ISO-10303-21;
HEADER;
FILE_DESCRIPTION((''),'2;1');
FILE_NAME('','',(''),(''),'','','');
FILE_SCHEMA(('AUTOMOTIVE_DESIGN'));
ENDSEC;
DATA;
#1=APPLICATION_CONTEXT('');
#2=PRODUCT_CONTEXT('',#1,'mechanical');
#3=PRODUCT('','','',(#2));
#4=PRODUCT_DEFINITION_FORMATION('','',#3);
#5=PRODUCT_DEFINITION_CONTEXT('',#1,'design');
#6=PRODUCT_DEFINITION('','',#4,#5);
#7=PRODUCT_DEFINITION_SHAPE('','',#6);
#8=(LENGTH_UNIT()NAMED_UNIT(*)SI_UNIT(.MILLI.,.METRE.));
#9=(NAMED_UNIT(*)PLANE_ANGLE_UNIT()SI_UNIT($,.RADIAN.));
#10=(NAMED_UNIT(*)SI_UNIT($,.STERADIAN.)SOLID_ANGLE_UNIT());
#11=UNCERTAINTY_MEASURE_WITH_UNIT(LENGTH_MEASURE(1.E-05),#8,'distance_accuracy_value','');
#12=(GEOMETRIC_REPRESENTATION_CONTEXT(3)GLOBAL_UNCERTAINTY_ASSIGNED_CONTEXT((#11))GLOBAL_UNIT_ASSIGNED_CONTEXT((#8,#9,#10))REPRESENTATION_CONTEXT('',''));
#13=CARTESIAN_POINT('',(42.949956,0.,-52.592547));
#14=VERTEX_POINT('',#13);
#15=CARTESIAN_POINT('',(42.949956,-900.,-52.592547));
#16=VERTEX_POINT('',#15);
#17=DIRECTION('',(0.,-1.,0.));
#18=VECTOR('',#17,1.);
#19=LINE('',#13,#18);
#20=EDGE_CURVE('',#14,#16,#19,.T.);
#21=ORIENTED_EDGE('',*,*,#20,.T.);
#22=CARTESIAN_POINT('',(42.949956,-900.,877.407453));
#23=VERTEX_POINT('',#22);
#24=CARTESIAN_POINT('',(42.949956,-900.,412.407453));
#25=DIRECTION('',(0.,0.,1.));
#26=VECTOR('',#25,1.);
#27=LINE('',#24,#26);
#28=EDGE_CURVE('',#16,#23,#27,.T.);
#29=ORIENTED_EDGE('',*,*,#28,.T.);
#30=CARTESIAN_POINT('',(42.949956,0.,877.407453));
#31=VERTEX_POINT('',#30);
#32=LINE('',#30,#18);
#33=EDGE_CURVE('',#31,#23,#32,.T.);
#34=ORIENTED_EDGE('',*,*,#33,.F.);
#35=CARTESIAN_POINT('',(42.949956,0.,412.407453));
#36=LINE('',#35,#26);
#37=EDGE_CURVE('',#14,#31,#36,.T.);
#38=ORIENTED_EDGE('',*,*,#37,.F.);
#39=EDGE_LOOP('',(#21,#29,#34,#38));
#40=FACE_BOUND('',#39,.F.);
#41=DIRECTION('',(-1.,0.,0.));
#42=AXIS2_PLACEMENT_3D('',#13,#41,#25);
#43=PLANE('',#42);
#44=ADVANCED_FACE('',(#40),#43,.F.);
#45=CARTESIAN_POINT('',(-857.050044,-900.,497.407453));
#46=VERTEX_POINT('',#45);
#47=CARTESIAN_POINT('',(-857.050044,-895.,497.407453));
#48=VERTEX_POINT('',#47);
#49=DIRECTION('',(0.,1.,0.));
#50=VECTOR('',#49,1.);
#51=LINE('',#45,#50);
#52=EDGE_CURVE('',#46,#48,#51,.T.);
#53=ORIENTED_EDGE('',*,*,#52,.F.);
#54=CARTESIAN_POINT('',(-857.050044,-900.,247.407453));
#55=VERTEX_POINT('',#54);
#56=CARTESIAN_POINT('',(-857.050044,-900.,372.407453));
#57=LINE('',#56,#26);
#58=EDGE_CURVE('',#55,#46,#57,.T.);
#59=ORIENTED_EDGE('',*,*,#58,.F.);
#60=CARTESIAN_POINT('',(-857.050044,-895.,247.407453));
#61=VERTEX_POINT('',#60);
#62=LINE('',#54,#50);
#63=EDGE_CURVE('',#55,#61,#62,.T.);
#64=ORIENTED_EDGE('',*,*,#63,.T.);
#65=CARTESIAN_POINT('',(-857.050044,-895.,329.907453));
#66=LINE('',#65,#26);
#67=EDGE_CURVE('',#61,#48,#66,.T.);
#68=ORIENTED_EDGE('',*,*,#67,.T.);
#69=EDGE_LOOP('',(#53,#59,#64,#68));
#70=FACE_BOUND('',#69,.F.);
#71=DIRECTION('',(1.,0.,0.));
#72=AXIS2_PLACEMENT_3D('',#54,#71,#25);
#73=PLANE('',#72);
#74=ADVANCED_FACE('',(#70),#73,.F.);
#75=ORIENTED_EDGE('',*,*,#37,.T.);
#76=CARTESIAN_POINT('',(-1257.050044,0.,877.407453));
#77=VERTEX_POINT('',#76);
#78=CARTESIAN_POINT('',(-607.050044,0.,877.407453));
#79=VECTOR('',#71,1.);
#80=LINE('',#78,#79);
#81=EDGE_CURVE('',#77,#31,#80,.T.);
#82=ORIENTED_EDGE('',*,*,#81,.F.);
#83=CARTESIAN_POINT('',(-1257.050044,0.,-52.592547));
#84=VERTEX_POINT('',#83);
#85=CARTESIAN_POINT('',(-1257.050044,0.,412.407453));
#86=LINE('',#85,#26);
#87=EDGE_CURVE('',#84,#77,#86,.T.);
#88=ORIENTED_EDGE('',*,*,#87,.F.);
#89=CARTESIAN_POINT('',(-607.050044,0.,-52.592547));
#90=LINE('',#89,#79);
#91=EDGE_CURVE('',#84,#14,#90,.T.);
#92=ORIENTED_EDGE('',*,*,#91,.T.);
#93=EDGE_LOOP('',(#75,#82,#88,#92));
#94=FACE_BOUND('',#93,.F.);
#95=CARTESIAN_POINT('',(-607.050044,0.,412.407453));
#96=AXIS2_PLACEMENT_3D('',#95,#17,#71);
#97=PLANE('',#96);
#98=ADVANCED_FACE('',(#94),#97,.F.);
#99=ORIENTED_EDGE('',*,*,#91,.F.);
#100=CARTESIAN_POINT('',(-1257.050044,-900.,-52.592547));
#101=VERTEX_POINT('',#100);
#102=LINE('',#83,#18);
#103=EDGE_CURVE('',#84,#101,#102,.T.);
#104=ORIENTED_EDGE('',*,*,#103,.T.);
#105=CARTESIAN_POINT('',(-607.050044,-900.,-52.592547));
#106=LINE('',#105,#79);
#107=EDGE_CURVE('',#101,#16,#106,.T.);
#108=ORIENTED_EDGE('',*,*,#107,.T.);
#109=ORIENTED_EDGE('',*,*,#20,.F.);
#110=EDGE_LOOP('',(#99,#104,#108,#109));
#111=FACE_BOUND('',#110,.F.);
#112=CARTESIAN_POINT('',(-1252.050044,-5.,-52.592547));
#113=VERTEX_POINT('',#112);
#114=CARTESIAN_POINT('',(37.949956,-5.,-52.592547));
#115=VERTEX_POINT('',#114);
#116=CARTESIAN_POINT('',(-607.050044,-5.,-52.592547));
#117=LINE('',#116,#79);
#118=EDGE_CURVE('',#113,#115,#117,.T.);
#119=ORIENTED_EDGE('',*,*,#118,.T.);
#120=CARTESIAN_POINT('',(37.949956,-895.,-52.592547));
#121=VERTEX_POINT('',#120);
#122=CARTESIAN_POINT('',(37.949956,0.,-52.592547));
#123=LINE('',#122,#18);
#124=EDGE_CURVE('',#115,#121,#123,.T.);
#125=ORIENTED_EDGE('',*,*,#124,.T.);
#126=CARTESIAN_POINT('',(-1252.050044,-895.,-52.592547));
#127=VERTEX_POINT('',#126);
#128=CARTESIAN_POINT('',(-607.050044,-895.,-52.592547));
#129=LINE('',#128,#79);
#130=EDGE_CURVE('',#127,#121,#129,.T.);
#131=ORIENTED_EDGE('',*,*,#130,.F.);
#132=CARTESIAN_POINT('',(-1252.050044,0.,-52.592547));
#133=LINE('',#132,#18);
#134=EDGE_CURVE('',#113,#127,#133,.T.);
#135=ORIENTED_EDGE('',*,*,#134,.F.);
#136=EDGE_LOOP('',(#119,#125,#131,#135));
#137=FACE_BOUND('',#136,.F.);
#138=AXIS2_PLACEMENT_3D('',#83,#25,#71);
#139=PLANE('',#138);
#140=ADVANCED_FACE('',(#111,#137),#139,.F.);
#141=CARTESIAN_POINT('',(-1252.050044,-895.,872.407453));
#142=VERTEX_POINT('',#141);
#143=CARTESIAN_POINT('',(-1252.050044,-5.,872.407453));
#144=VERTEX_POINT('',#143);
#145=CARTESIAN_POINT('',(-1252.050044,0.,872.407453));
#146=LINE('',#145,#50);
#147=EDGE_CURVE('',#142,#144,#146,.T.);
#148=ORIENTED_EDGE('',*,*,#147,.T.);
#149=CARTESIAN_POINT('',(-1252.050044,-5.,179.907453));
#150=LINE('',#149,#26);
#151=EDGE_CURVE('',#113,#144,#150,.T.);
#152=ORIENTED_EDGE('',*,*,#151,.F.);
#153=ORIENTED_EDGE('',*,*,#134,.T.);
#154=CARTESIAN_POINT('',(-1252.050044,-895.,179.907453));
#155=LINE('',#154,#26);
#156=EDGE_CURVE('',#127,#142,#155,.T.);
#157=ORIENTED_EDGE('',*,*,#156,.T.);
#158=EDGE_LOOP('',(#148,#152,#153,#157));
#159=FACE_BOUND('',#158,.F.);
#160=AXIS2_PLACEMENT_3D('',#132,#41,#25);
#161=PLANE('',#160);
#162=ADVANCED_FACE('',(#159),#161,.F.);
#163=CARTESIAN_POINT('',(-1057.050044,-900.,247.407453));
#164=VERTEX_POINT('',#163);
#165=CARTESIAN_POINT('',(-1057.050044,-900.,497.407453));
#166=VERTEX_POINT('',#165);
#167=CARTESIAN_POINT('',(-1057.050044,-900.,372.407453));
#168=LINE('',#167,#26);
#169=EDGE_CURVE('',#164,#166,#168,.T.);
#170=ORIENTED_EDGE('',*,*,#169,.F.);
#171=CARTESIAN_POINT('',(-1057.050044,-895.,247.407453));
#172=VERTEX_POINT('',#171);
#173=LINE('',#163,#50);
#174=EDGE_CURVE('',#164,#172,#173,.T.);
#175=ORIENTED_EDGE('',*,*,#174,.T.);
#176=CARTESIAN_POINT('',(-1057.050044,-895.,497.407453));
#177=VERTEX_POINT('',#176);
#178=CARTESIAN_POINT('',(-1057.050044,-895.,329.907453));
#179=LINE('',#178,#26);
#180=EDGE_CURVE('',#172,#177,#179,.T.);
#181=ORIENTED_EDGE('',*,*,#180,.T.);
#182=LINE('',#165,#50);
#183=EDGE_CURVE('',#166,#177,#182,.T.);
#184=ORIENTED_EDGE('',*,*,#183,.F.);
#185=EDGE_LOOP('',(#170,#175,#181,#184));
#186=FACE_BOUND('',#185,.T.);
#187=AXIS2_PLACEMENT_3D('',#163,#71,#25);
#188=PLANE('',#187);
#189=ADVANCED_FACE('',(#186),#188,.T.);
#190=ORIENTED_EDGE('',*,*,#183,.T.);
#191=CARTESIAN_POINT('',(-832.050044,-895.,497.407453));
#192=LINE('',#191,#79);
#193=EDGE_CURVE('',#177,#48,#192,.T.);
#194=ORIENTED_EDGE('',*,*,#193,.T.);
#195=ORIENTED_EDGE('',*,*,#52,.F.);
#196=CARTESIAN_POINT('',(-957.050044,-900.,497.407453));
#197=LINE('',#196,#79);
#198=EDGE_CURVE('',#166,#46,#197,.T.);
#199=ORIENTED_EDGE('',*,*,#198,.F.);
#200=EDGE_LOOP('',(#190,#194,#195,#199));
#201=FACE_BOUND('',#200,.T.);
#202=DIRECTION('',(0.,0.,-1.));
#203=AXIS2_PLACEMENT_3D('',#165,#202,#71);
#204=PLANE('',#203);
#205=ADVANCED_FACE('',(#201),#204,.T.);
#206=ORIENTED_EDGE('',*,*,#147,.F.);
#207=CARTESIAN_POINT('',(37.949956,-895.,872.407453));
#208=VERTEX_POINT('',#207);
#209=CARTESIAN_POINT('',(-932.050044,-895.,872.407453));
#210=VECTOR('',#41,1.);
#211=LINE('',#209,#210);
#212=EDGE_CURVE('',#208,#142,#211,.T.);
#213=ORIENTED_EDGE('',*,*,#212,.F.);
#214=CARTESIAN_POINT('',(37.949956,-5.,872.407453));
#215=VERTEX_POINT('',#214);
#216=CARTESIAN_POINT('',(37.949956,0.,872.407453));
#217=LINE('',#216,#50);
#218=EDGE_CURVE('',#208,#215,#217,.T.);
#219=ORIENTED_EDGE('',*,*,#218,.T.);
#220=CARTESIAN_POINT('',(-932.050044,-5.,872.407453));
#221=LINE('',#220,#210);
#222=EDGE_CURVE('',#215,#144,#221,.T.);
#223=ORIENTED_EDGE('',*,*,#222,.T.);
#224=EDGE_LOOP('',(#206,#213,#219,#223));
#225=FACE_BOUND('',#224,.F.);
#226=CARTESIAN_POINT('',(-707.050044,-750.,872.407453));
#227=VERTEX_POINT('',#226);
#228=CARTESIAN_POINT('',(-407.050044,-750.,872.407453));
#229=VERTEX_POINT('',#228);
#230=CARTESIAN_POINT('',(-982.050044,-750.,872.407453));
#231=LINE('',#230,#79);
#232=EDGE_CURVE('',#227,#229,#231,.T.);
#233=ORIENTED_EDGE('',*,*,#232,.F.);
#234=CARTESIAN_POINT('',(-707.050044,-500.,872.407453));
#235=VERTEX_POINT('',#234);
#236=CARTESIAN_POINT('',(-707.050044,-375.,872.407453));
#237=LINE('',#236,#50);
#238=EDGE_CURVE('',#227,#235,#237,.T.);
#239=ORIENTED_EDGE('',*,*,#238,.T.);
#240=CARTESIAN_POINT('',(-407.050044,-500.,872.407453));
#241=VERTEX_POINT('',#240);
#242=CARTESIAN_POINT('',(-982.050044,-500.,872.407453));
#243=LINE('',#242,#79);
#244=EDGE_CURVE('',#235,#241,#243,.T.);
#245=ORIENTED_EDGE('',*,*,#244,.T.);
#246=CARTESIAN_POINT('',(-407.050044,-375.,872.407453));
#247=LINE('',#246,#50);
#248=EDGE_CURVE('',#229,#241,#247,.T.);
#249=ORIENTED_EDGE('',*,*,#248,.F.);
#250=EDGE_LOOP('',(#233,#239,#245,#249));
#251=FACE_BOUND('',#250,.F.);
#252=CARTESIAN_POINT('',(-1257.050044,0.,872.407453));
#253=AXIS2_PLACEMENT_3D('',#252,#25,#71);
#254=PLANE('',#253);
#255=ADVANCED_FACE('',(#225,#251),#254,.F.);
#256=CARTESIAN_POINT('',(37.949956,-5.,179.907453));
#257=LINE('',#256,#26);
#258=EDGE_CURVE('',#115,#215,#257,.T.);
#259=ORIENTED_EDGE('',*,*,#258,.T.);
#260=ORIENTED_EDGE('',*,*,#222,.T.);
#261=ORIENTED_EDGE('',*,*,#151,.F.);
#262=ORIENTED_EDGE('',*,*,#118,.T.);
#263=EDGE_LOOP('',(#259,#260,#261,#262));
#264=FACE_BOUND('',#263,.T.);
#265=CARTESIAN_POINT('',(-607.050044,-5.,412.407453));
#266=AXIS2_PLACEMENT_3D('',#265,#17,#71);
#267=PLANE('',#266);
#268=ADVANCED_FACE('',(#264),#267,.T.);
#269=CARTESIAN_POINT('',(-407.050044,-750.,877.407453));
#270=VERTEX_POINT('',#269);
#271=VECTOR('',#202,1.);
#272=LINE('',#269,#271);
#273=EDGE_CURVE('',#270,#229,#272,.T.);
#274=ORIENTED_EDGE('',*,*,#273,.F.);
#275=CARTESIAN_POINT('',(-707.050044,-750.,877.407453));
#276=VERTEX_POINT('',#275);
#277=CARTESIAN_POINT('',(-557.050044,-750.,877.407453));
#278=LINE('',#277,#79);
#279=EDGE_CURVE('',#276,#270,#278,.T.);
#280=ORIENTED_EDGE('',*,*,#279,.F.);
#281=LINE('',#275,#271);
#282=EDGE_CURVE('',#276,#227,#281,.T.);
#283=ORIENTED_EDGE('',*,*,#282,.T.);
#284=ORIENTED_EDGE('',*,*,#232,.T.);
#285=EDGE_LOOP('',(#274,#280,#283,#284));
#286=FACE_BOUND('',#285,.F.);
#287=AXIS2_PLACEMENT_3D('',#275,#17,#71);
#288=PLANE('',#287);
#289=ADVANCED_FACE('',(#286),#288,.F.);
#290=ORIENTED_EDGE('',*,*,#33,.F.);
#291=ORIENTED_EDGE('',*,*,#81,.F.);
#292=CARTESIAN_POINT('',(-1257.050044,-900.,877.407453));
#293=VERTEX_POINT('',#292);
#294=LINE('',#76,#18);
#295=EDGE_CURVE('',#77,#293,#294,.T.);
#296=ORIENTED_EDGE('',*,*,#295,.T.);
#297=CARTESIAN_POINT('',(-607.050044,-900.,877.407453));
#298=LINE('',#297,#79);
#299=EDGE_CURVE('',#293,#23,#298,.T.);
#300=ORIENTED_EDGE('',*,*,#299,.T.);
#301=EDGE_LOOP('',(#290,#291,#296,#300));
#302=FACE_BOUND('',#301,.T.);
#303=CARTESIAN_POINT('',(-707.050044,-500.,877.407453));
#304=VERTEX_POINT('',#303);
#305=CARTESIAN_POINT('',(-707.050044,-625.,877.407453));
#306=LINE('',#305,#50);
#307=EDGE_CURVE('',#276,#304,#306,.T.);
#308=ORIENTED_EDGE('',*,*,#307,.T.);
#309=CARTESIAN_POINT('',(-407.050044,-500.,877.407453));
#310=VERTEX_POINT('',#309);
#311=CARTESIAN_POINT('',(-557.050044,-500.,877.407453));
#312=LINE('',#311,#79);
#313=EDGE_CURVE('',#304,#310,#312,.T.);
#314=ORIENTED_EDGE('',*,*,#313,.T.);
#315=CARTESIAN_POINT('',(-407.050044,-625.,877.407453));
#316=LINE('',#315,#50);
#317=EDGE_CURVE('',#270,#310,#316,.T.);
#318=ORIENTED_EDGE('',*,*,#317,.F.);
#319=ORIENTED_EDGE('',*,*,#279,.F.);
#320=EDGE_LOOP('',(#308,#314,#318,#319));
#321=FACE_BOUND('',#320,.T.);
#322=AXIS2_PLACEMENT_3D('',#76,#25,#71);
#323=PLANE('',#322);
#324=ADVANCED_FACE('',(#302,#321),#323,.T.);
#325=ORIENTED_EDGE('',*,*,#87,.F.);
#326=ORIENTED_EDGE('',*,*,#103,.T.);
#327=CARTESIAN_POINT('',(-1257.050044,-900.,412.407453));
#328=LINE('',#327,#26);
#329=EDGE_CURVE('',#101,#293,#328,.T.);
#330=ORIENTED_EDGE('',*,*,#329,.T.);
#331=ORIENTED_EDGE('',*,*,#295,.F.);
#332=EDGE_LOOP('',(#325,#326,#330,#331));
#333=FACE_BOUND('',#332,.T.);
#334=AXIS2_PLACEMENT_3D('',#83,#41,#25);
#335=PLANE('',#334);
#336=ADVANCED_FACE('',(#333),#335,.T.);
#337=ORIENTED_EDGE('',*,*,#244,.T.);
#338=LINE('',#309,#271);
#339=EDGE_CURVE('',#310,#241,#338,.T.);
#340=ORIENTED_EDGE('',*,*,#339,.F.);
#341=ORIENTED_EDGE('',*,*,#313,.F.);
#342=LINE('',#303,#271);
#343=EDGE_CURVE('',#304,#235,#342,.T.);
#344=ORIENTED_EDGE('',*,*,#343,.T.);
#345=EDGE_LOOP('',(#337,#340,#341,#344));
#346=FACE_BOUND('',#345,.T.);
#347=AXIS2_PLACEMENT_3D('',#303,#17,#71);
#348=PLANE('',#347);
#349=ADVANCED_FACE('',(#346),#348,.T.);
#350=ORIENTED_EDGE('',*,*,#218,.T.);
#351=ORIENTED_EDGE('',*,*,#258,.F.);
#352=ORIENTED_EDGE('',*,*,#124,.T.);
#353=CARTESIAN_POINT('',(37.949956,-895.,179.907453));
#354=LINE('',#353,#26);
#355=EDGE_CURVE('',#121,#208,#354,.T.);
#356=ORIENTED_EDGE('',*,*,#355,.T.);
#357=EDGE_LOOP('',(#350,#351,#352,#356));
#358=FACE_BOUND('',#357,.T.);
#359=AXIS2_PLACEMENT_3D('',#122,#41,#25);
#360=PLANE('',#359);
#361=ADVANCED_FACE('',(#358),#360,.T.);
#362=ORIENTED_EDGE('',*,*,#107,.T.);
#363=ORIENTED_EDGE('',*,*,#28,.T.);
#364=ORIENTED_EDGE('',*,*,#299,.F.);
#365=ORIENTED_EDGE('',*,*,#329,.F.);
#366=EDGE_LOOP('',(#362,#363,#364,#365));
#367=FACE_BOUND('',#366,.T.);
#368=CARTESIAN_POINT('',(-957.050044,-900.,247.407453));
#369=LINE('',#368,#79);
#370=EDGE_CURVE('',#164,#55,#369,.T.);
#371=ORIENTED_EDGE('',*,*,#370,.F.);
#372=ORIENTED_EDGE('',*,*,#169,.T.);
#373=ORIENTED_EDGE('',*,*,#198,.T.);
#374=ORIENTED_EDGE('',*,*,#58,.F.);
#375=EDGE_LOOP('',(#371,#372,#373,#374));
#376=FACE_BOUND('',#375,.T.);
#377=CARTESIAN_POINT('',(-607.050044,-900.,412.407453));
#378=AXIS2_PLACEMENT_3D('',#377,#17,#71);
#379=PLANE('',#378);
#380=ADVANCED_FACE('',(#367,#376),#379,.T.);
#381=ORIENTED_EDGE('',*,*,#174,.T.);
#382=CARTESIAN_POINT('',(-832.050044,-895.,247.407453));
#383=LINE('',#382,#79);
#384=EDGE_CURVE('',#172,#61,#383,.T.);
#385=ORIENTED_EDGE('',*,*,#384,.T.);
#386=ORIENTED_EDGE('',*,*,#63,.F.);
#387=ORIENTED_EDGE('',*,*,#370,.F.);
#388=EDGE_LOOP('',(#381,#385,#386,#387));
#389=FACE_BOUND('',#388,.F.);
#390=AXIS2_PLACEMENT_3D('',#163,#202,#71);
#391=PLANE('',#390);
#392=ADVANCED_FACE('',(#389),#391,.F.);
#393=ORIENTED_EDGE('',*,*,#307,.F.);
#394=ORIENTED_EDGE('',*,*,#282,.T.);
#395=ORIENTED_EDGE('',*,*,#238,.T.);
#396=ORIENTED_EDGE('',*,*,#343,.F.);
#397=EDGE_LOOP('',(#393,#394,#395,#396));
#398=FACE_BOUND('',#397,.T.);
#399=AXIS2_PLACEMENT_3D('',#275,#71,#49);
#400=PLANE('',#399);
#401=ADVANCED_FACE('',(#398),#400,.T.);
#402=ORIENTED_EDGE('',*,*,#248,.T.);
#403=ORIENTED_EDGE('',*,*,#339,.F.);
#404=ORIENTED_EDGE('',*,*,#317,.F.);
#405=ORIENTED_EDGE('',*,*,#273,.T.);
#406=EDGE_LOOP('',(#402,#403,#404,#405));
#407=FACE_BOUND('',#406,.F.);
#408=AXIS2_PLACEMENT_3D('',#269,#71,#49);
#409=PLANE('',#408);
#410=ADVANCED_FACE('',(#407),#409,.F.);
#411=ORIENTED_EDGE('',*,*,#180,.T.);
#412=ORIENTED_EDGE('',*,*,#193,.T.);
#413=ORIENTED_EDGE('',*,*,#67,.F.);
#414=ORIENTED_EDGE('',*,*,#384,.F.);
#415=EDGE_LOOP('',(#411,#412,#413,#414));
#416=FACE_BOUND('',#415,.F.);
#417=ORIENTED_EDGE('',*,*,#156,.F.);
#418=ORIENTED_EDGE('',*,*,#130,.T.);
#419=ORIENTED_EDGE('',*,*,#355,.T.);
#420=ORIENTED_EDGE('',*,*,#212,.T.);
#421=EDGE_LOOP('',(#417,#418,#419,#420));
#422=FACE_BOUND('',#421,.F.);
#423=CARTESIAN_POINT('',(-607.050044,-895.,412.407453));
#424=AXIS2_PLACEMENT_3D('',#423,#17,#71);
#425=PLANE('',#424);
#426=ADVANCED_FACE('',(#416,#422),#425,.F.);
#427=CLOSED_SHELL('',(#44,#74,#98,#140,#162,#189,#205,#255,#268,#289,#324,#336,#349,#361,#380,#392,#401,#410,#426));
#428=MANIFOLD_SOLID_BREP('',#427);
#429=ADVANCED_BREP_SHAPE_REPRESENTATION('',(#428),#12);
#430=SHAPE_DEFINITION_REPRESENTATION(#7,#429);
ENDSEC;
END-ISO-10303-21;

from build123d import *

# Parameters (mm, degrees)
F0_W     = 1300
F0_H     = 930
F1_DEPTH = 900
F2_T     = -5
F3_W     = 200
F3_H     = 250
F4_DEPTH = 25
F5_W     = 300
F5_H     = 250
F6_DEPTH = 25


with BuildPart() as f1:
    # F0 (on Front) → F1 (new body)
    with BuildSketch(Plane.XZ):
        with Locations((-607.050044, 412.407453)):
            Rectangle(F0_W, F0_H)
    extrude(amount=F1_DEPTH)

    # F2
    f2_openings = [f1.faces().sort_by_distance(p)[0] for p in [
        (-607.050044, -450, -52.592547),
    ]]
    offset(amount=F2_T, openings=f2_openings)

    # F3 (on face) → F4 (cut)
    with BuildSketch(Plane.XZ.offset(900)):
        with Locations((-957.050044, 372.407453)):
            Rectangle(F3_W, F3_H)
    extrude(amount=-F4_DEPTH, mode=Mode.SUBTRACT)

    # F5 (on face) → F6 (cut)
    with BuildSketch(Plane.XY.offset(877.407453)):
        with Locations((-557.050044, -625)):
            Rectangle(F5_W, F5_H)
    extrude(amount=-F6_DEPTH, mode=Mode.SUBTRACT)


solid = f1.part
